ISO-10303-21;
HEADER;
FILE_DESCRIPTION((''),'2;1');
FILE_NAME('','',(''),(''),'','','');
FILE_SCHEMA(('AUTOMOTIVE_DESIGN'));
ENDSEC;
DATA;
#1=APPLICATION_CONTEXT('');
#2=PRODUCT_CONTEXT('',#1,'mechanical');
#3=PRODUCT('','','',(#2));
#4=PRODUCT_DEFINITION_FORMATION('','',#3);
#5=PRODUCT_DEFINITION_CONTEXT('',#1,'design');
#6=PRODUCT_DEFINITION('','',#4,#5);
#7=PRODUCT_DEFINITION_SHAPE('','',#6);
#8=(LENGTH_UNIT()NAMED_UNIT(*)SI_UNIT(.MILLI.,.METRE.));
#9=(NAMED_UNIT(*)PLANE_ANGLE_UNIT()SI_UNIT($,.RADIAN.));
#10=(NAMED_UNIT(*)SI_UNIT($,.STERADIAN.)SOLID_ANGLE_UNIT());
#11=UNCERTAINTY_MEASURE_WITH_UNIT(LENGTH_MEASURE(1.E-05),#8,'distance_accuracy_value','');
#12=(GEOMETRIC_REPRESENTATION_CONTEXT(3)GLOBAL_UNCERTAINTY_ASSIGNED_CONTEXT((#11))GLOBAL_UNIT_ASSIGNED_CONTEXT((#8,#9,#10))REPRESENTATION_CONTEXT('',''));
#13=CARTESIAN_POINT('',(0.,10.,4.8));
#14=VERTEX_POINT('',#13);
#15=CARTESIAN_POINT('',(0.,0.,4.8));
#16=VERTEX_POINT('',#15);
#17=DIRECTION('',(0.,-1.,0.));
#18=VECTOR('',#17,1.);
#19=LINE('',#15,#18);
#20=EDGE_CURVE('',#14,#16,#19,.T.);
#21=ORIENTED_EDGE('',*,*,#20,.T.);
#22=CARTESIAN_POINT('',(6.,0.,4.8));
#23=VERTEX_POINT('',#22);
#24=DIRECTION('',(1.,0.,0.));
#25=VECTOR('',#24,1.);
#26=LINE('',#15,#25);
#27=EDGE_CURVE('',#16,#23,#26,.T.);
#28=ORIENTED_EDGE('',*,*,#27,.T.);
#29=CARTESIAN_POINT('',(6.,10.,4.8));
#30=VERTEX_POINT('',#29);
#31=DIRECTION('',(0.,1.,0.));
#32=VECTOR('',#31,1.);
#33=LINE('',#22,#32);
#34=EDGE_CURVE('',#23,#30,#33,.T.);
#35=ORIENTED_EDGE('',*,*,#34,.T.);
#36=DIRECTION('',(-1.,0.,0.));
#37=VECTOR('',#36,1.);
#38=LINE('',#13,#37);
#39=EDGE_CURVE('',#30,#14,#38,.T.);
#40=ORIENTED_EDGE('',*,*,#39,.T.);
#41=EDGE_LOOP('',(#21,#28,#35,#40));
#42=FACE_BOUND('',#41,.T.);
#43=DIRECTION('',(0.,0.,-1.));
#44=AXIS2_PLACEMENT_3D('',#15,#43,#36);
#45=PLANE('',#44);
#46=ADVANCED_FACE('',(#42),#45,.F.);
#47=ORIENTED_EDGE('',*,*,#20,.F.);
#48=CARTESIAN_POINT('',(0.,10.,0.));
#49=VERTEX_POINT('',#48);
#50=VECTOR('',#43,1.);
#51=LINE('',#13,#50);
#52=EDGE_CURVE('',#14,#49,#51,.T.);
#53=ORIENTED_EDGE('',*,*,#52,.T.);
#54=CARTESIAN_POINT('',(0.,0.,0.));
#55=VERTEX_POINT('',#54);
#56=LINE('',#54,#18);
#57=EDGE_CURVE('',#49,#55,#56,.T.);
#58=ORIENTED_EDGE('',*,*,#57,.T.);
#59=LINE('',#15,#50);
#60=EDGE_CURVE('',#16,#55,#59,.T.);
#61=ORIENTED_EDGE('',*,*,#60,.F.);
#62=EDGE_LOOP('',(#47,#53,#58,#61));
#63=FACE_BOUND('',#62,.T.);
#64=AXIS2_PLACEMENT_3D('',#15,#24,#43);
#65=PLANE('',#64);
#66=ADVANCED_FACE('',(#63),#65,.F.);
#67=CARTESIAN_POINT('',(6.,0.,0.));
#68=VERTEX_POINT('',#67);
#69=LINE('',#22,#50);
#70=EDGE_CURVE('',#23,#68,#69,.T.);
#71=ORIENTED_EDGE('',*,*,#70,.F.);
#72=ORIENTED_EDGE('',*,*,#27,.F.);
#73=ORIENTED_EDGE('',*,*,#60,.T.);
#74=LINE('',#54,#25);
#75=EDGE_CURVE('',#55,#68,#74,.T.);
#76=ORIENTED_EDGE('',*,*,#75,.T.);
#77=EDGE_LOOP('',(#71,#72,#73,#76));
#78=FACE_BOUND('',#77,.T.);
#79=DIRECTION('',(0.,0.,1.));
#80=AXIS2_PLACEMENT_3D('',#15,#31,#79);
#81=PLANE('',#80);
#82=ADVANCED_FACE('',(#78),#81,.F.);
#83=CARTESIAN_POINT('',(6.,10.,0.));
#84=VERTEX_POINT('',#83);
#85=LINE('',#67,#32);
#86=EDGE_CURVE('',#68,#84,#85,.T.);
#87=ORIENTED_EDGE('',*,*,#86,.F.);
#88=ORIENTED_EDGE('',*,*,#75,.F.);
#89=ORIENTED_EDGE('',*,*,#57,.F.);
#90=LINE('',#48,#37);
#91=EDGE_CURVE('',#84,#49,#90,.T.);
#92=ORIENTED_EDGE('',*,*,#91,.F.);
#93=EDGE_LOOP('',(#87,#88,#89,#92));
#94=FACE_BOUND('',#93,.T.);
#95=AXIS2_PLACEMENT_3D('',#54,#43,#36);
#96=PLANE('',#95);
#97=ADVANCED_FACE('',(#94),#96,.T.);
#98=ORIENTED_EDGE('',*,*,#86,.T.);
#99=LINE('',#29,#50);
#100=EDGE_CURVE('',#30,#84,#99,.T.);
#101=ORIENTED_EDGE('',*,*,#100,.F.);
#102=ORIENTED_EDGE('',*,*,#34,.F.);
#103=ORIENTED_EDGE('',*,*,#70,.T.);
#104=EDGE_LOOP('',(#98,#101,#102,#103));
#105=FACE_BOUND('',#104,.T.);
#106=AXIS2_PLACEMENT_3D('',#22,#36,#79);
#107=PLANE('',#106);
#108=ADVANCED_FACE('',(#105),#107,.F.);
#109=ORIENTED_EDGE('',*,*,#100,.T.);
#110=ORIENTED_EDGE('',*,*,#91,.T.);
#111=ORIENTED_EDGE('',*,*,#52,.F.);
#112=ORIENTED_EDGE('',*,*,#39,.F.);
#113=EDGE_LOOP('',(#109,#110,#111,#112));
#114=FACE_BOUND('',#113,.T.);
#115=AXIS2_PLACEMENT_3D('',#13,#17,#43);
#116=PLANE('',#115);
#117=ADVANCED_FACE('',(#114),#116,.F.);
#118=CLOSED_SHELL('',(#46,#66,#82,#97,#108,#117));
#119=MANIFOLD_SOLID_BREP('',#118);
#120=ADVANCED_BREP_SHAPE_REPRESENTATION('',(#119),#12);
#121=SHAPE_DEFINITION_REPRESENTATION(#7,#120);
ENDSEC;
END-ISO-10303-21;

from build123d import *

# Parameters (mm, degrees)
SKETCH_1_W      = 6
SKETCH_1_H      = 10
EXTRUDE_1_DEPTH = 4.8


with BuildPart() as part:
    # 草图1 → 凸台-拉伸1 (new body)
    with BuildSketch(Plane.XY):
        with Locations((3, 5)):
            Rectangle(SKETCH_1_W, SKETCH_1_H)
    extrude(amount=EXTRUDE_1_DEPTH)


solid = part.part
